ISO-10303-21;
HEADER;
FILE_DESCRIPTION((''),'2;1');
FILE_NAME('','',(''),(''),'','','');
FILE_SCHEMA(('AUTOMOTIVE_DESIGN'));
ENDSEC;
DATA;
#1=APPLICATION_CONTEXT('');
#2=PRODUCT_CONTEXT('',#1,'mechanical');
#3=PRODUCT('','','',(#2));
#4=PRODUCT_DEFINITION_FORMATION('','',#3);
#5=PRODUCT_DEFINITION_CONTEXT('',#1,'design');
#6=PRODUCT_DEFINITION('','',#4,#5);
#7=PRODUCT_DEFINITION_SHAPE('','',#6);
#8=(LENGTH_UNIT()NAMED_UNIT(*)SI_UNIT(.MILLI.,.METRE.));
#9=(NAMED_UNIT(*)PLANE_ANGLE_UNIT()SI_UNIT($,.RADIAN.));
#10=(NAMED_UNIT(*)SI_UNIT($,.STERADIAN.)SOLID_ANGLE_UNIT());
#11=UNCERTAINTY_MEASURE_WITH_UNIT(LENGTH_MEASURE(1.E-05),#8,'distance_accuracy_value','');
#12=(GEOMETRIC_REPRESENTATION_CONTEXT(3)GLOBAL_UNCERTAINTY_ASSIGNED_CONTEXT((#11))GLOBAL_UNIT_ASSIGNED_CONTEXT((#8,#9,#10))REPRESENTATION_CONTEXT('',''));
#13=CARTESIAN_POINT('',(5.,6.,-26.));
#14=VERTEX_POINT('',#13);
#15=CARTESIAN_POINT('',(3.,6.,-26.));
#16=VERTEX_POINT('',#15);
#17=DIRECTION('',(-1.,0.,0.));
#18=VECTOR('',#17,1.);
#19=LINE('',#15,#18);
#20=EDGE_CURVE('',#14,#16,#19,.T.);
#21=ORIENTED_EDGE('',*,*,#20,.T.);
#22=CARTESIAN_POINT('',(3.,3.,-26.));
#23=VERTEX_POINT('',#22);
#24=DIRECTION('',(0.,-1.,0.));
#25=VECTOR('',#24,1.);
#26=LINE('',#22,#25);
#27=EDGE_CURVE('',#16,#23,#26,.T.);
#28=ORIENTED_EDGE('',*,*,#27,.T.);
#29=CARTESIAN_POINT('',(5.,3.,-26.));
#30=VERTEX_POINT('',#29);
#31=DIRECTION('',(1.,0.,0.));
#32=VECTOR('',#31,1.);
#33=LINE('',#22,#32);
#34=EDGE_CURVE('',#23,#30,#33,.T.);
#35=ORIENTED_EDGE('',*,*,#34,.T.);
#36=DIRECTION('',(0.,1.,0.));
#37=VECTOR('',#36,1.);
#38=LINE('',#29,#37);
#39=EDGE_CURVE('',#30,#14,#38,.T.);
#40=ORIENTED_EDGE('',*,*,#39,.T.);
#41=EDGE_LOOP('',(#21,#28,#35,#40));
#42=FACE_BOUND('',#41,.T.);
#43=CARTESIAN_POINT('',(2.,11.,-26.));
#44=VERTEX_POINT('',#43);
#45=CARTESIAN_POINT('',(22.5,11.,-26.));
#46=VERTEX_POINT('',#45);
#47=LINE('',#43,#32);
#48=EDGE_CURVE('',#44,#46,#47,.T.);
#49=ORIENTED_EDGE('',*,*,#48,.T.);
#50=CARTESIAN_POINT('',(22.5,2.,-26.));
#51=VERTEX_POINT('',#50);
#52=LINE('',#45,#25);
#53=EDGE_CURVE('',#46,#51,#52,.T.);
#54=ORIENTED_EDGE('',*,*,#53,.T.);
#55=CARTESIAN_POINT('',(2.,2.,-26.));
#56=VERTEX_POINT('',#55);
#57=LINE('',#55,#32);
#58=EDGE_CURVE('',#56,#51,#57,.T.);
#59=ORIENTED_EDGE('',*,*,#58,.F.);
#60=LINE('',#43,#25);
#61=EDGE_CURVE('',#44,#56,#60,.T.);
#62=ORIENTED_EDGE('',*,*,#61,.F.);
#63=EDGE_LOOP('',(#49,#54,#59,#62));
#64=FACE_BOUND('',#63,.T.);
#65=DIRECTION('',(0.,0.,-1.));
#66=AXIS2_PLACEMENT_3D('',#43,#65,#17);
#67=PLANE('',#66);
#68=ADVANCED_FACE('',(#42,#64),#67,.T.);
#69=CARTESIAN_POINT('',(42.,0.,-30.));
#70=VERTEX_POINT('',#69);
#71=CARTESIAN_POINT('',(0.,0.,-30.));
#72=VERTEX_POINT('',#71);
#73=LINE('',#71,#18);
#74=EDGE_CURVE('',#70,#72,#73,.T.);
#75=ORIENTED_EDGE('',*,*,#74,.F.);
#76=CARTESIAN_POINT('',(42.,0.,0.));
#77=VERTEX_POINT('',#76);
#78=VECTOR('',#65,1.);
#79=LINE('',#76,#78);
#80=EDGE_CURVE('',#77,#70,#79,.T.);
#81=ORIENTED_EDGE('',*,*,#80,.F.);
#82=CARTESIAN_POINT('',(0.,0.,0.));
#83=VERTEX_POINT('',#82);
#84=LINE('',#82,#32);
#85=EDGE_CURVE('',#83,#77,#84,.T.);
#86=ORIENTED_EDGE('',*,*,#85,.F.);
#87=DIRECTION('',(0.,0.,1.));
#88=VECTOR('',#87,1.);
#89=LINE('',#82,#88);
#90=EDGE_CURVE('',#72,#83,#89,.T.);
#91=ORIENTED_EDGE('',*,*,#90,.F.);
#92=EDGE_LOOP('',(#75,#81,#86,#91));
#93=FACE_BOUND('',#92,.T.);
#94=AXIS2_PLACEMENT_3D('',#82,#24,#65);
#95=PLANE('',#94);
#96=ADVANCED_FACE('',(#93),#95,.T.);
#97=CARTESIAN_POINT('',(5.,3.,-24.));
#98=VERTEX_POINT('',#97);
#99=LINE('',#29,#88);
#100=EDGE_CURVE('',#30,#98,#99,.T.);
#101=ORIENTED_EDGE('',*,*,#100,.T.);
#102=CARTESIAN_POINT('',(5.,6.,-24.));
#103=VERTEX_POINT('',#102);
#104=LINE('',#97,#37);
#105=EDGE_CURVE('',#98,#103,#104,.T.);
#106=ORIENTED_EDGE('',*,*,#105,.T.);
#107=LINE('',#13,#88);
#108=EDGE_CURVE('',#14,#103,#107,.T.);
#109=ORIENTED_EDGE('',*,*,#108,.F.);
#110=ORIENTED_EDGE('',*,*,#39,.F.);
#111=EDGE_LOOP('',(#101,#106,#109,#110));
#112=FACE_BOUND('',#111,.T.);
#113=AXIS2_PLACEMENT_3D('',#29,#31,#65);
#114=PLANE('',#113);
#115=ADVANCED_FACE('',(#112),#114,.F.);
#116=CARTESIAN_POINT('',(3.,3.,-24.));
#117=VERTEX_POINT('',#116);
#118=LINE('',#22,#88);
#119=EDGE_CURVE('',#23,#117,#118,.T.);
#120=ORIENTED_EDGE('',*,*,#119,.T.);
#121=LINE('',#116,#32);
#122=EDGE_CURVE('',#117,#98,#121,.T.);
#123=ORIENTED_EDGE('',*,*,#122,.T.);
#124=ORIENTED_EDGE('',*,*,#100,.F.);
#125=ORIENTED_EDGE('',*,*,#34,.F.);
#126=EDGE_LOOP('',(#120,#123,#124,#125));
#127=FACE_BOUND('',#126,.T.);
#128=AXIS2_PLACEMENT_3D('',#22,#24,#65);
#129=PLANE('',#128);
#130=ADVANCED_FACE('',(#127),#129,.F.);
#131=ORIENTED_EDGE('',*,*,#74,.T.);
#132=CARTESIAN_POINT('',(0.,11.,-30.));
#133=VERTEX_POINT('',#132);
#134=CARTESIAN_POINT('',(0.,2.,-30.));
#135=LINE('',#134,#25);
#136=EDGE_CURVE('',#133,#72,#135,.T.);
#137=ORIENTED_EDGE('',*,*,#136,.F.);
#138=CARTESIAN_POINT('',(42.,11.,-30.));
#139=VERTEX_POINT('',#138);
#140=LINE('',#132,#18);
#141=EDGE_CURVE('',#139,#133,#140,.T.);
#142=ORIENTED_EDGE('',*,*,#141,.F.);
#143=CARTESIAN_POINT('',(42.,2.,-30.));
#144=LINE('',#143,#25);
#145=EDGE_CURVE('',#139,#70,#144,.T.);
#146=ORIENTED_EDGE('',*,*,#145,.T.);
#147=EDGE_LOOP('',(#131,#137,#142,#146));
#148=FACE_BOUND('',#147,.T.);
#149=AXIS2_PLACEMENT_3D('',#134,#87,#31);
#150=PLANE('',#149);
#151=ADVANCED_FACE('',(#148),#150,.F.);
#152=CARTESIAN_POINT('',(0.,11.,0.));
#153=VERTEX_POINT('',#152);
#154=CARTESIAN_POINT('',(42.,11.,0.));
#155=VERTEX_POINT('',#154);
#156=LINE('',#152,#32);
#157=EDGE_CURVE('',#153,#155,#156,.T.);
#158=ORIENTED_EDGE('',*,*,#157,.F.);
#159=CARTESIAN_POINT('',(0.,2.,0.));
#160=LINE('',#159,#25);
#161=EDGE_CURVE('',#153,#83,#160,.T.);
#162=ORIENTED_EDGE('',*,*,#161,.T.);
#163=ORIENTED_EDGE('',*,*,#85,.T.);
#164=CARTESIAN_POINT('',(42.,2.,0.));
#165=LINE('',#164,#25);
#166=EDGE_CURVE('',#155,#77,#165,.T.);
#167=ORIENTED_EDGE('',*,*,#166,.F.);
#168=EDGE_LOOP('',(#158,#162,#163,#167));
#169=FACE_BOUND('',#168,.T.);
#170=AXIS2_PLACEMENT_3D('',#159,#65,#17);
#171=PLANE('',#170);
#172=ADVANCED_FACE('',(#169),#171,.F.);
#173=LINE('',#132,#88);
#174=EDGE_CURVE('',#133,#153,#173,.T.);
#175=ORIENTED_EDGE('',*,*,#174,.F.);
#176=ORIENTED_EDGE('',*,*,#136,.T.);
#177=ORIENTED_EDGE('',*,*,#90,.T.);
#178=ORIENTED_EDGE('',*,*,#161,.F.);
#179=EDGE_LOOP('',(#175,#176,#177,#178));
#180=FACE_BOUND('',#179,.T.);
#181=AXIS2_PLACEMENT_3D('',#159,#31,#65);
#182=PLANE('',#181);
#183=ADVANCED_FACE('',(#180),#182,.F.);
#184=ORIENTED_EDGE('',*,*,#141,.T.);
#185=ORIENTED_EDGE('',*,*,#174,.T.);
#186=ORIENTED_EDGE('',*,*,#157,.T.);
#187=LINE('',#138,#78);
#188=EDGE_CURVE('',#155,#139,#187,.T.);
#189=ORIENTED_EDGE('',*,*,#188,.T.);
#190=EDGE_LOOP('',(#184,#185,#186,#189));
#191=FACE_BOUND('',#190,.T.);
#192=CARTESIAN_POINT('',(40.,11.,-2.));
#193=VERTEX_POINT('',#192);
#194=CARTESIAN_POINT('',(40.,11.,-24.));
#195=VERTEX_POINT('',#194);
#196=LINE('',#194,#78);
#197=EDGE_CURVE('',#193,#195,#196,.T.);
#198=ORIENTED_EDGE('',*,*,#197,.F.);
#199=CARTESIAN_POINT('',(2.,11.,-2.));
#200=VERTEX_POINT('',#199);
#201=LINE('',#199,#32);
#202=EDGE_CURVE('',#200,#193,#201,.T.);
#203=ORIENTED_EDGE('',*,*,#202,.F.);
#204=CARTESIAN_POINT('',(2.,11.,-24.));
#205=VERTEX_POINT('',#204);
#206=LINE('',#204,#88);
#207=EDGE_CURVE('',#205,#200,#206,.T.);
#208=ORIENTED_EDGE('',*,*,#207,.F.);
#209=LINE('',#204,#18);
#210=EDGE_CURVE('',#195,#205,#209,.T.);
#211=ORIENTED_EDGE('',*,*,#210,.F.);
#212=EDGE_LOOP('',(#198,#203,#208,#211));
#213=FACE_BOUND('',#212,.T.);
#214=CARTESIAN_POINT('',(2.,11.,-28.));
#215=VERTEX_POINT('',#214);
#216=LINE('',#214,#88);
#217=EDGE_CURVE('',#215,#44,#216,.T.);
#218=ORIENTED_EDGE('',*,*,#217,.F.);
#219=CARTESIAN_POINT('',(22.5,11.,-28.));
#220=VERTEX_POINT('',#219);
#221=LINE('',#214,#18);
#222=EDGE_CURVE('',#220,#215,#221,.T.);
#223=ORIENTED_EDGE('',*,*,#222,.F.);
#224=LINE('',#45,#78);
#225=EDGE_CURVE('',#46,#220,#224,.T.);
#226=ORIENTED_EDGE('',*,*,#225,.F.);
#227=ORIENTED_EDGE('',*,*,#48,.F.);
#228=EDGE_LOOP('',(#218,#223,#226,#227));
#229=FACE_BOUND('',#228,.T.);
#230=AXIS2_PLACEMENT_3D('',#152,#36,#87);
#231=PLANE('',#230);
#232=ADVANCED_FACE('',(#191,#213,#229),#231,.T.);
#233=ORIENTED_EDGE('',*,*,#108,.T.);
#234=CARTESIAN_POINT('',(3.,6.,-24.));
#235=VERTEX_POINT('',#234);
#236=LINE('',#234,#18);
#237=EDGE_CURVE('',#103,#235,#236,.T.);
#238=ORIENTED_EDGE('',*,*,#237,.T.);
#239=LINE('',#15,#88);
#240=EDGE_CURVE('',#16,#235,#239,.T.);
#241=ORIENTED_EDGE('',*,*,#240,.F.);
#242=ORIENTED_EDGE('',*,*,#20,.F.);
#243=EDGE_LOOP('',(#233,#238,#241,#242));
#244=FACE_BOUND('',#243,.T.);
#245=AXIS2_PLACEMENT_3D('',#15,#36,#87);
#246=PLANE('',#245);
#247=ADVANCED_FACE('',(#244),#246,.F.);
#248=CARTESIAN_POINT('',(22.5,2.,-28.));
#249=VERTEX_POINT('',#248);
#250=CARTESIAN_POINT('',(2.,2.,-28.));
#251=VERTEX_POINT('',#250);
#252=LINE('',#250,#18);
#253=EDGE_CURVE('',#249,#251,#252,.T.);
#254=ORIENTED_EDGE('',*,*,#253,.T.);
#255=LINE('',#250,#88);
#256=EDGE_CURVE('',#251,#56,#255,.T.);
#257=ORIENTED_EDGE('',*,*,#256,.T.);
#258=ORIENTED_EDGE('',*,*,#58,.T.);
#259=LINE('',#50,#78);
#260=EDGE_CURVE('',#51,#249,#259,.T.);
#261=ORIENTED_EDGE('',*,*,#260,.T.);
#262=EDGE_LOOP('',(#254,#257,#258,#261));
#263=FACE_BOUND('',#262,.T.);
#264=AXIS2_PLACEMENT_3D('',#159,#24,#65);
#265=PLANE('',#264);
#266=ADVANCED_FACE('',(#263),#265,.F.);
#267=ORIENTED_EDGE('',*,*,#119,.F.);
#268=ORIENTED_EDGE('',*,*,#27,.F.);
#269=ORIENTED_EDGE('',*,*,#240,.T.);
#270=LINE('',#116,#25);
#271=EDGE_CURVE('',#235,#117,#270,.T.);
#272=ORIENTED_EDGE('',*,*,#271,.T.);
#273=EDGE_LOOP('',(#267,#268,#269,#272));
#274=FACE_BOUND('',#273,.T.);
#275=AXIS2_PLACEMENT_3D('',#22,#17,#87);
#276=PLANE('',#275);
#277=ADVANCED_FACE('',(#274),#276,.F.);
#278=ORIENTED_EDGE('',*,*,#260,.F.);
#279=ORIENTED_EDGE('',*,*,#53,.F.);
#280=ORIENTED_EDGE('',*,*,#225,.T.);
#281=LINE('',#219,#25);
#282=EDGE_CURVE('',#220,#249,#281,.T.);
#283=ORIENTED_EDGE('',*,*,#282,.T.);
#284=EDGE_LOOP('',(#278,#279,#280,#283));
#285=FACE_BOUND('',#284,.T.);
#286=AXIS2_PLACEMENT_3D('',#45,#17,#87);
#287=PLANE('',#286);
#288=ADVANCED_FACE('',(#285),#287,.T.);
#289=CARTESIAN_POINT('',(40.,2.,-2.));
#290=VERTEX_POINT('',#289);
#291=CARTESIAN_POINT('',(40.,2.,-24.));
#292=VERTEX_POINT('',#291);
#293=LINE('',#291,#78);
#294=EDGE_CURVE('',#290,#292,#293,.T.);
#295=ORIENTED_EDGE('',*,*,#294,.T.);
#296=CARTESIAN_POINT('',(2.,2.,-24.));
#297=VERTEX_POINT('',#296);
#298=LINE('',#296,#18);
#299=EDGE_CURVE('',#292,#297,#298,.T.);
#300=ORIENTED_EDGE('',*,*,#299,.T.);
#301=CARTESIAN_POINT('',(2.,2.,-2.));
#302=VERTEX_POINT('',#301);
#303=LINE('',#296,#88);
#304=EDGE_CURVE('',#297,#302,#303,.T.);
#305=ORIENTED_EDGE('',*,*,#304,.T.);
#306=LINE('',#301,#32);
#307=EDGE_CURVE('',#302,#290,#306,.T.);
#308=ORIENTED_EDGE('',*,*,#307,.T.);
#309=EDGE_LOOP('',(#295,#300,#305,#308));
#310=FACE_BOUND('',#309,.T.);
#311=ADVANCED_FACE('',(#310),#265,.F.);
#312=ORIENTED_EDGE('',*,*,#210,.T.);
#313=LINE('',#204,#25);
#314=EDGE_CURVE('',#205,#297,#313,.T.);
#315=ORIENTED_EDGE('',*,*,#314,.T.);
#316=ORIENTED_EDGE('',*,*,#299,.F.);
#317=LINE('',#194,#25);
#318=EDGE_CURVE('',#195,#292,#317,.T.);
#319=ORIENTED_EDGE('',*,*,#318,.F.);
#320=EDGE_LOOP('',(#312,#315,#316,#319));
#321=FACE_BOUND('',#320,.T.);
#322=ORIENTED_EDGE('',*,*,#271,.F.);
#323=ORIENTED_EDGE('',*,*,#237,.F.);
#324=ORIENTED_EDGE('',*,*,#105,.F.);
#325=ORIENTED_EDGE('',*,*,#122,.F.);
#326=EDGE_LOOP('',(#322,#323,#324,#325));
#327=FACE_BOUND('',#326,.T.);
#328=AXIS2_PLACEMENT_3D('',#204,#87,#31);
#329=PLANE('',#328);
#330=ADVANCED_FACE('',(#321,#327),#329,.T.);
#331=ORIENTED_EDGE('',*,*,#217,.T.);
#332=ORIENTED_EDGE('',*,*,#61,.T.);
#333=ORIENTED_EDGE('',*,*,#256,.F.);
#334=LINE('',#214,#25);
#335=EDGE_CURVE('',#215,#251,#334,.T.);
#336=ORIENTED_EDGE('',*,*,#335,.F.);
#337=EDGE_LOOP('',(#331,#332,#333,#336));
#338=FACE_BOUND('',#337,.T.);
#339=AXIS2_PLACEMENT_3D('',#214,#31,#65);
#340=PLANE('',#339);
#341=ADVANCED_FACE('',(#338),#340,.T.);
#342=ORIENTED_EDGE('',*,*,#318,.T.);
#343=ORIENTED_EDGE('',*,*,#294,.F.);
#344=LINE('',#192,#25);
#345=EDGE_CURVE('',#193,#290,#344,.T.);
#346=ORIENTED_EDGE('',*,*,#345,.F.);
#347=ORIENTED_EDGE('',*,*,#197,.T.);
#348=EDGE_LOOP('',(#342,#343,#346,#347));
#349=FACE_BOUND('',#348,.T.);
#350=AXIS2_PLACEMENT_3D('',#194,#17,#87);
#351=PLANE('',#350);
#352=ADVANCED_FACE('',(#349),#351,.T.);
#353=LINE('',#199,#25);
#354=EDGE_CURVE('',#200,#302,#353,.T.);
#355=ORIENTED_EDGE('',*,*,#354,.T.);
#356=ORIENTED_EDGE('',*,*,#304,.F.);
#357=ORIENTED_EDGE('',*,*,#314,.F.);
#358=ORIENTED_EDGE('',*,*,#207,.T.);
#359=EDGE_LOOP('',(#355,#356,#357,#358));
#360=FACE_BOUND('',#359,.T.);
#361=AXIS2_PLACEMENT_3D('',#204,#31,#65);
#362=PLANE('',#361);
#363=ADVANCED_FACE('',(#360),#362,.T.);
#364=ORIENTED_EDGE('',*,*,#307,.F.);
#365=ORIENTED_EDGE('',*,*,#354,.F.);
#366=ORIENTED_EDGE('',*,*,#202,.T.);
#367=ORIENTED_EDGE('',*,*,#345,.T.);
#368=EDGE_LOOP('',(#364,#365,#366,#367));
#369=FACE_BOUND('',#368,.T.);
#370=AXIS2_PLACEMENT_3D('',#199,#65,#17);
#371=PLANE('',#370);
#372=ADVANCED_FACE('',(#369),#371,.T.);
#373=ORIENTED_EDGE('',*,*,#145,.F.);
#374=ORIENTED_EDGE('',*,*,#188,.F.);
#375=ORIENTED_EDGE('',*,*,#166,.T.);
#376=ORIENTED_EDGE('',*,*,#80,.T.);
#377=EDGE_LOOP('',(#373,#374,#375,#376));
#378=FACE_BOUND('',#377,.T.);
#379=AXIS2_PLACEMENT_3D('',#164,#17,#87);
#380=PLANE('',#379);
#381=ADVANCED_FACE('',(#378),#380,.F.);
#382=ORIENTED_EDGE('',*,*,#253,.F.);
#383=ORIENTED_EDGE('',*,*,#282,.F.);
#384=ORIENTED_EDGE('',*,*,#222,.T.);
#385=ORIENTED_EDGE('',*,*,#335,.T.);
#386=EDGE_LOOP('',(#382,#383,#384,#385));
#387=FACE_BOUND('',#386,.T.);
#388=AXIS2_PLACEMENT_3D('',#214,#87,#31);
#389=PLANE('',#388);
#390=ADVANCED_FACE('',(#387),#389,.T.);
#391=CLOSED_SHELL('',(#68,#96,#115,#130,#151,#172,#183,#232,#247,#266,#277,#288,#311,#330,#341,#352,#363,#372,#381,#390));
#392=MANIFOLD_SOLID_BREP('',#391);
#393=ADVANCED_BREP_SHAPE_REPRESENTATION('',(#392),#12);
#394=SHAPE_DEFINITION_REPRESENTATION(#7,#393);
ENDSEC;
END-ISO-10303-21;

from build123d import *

# Parameters (mm, degrees)
SKETCH1_W           = 42
SKETCH1_H           = 30
BOSS_EXTRUDE1_DEPTH = 2
SKETCH2_W           = 42
SKETCH2_H           = 30
SKETCH2_W_2         = 20.5
SKETCH2_H_2         = 2
SKETCH2_W_3         = 38
SKETCH2_H_3         = 22
BOSS_EXTRUDE2_DEPTH = 9
SKETCH6_W           = 2
SKETCH6_H           = 3
CUT_EXTRUDE2_DEPTH  = 2


with BuildPart() as part:
    # Sketch1 → Boss-Extrude1 (new body)
    with BuildSketch(Plane(origin=(0, 0, 0), x_dir=(1, 0, 0), z_dir=(0, 1, 0))):
        with Locations((21, 15)):
            Rectangle(SKETCH1_W, SKETCH1_H)
    extrude(amount=BOSS_EXTRUDE1_DEPTH)

    # Sketch2 → Boss-Extrude2 (add)
    with BuildSketch(Plane(origin=(0, 2, 0), x_dir=(1, 0, 0), z_dir=(0, 1, 0))):
        with Locations((21, 15)):
            Rectangle(SKETCH2_W, SKETCH2_H)
        with Locations((12.25, 27)):
            Rectangle(SKETCH2_W_2, SKETCH2_H_2, mode=Mode.SUBTRACT)
        with Locations((21, 13)):
            Rectangle(SKETCH2_W_3, SKETCH2_H_3, mode=Mode.SUBTRACT)
    extrude(amount=BOSS_EXTRUDE2_DEPTH)

    # Sketch6 → Cut-Extrude2 (cut)
    with BuildSketch(Plane.XY.offset(-24)):
        with Locations((4, 4.5)):
            Rectangle(SKETCH6_W, SKETCH6_H)
    extrude(amount=-CUT_EXTRUDE2_DEPTH, mode=Mode.SUBTRACT)


solid = part.part
